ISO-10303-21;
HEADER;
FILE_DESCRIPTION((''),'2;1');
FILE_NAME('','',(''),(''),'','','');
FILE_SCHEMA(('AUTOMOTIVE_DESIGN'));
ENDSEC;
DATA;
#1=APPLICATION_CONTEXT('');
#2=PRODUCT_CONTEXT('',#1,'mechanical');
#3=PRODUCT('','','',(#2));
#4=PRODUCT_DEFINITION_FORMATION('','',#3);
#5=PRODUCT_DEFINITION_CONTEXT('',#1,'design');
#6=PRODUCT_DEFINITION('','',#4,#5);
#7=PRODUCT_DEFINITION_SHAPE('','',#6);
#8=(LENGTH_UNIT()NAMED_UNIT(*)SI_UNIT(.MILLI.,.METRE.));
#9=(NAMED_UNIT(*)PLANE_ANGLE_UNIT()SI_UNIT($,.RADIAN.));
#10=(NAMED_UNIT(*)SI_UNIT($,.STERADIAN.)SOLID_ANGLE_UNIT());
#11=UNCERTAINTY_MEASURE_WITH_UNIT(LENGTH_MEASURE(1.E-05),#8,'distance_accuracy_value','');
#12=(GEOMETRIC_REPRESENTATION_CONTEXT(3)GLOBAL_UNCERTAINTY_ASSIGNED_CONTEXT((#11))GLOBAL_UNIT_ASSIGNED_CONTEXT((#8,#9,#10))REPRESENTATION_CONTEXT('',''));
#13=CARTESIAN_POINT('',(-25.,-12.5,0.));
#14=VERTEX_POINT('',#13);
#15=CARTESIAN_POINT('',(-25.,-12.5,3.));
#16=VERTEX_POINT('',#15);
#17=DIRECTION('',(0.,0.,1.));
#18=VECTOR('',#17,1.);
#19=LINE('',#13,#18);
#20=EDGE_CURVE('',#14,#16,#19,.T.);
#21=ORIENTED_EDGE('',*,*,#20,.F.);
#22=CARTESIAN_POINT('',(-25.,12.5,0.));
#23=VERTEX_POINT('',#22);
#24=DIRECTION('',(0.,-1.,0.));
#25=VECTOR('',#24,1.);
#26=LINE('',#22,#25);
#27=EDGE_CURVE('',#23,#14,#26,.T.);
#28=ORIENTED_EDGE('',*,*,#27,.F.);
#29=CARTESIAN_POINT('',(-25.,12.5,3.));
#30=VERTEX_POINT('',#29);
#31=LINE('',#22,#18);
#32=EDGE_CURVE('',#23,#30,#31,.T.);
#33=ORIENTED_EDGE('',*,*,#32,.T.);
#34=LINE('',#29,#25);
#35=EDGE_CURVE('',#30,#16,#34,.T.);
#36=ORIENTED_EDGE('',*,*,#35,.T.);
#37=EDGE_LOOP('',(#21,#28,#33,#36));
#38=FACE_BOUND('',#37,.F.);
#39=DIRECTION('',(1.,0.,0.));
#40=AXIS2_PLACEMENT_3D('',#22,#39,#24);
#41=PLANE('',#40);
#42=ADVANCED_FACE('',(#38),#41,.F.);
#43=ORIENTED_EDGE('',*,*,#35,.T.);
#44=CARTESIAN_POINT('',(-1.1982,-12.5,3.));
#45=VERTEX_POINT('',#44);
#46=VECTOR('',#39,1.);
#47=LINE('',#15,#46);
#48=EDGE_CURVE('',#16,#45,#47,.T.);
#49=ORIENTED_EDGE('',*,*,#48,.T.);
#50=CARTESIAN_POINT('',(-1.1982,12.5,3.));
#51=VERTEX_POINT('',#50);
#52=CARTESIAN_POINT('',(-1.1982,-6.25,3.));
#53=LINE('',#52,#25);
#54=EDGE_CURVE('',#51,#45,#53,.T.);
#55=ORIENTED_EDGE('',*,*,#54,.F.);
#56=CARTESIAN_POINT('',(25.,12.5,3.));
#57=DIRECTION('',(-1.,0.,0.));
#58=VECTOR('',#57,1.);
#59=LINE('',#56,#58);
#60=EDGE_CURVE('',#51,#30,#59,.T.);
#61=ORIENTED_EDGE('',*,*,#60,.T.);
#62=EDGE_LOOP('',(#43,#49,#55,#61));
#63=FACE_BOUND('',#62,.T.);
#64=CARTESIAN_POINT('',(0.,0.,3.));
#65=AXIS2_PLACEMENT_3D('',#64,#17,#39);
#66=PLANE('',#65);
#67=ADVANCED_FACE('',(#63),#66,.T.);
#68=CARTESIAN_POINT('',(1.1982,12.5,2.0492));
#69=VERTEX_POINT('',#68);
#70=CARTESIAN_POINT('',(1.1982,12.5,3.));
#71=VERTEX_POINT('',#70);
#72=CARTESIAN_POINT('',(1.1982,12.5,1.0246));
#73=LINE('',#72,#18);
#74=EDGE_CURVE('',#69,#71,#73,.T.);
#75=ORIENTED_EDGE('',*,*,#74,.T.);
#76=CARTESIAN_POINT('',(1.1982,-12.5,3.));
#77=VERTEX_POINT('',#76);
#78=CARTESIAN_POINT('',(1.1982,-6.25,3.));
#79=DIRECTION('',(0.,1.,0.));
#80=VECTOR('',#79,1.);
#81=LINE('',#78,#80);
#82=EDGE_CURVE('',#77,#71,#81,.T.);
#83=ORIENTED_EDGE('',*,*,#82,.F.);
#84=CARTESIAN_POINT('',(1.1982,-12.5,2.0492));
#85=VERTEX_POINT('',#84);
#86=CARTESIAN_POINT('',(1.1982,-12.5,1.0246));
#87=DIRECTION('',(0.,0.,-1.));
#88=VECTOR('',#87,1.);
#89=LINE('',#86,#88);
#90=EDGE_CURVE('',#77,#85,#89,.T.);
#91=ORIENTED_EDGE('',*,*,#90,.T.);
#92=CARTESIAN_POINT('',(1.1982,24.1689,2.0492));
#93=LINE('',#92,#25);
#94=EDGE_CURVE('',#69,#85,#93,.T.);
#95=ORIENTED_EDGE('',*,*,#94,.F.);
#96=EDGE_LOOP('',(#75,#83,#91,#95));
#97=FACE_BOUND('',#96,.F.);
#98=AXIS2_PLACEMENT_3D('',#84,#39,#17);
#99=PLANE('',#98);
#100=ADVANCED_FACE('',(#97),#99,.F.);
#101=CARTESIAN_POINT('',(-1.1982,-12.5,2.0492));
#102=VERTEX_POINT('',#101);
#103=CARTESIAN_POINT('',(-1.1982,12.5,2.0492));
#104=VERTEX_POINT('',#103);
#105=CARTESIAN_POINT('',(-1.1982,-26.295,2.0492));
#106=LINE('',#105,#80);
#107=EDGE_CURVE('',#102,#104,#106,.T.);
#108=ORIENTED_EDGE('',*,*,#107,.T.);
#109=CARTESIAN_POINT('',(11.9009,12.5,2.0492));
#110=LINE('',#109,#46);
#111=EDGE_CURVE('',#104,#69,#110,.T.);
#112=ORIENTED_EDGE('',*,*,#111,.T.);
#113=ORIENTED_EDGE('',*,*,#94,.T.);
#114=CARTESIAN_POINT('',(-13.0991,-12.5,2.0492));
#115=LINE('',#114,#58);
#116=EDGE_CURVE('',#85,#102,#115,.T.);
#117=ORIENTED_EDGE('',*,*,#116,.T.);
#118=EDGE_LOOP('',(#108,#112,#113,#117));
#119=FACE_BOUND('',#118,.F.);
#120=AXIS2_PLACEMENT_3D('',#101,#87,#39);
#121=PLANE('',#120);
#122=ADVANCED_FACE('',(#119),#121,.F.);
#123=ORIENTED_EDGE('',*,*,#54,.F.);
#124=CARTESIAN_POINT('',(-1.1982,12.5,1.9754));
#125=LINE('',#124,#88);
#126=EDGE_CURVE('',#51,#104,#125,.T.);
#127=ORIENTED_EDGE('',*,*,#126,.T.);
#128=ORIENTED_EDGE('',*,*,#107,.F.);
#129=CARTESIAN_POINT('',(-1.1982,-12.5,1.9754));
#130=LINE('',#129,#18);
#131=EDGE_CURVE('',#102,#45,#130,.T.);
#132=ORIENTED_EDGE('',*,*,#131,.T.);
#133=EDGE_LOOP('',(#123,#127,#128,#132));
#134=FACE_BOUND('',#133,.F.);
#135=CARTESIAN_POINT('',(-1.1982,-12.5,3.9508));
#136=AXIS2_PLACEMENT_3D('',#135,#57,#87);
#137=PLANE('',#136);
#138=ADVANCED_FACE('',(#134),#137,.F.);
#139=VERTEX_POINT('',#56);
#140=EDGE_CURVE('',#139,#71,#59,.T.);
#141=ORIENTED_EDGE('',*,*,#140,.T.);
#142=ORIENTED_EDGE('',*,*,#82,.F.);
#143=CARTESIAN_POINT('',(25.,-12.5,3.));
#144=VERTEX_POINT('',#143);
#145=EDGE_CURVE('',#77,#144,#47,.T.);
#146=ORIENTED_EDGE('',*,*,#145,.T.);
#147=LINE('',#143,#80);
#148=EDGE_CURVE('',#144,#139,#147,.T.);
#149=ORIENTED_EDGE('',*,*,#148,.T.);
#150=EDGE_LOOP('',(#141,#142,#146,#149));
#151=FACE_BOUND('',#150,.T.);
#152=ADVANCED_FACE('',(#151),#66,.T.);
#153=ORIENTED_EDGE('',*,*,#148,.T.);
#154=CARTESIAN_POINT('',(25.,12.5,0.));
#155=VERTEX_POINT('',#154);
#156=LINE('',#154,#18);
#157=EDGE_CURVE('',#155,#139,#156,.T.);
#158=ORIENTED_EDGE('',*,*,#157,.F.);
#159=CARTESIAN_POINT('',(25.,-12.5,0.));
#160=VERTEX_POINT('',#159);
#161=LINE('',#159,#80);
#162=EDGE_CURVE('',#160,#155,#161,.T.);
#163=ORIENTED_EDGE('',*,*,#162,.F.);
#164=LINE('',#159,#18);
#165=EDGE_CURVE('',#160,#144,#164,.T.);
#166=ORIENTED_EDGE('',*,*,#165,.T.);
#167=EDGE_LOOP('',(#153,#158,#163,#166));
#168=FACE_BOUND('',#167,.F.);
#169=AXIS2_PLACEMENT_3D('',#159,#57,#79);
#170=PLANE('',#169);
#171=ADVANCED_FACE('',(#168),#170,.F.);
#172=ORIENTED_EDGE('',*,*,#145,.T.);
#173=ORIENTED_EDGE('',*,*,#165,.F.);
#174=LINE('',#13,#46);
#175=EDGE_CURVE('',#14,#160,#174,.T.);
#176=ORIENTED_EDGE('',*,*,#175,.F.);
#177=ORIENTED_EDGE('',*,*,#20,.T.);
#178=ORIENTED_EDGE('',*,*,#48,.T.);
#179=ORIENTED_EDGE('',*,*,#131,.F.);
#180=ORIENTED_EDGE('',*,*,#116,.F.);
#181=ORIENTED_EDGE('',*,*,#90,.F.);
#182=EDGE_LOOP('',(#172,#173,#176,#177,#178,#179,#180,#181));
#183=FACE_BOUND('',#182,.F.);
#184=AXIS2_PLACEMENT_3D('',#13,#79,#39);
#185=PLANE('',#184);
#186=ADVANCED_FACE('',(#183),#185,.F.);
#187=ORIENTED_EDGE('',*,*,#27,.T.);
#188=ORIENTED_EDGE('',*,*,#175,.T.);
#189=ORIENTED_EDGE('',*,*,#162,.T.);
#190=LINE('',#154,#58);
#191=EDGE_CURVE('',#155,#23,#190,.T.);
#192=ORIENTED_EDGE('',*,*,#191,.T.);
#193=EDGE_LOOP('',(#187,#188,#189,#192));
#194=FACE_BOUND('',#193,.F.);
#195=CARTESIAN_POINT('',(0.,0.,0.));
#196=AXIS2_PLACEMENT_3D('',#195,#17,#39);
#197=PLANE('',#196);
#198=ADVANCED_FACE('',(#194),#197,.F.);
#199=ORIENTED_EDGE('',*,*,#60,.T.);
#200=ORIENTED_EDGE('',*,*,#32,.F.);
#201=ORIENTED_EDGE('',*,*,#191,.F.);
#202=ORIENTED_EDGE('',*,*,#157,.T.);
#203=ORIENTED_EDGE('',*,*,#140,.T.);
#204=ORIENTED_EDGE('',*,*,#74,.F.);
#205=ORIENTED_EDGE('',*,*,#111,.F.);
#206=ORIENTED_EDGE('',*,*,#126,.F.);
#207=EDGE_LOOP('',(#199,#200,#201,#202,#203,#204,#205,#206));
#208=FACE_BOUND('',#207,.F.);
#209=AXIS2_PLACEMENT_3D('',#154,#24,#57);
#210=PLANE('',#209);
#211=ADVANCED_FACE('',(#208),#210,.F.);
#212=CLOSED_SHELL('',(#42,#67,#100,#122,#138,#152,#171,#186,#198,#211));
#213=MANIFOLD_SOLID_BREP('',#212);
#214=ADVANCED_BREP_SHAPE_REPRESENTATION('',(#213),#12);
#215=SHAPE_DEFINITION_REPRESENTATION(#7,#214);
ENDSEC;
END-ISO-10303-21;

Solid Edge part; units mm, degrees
sketch "Sketch1" plane through (0, 0, 0) normal (0, 0, 1) x (1, 0, 0)
  line L0 (-25, -12.5) -> (25, -12.5)
  line L1 (25, -12.5) -> (25, 12.5)
  line L2 (25, 12.5) -> (-25, 12.5)
  line L3 (-25, 12.5) -> (-25, -12.5)
extrude "Protrusion1" add sketch "Sketch1" along normal blind 3
sketch "Sketch2" plane through (0, -12.5, 1.5) normal (0, -1, 0) x (1, 0, 0)
  line L0 (-1.1982, 0.5492) -> (1.1982, 0.5492)
  line L1 (1.1982, 0.5492) -> (1.1982, 2.4508)
  line L2 (1.1982, 2.4508) -> (-1.1982, 2.4508)
  line L3 (-1.1982, 2.4508) -> (-1.1982, 0.5492)
extrude "Kivágás_1" cut sketch "Sketch2" against normal blind 36.6689 and the other way blind 13.795
